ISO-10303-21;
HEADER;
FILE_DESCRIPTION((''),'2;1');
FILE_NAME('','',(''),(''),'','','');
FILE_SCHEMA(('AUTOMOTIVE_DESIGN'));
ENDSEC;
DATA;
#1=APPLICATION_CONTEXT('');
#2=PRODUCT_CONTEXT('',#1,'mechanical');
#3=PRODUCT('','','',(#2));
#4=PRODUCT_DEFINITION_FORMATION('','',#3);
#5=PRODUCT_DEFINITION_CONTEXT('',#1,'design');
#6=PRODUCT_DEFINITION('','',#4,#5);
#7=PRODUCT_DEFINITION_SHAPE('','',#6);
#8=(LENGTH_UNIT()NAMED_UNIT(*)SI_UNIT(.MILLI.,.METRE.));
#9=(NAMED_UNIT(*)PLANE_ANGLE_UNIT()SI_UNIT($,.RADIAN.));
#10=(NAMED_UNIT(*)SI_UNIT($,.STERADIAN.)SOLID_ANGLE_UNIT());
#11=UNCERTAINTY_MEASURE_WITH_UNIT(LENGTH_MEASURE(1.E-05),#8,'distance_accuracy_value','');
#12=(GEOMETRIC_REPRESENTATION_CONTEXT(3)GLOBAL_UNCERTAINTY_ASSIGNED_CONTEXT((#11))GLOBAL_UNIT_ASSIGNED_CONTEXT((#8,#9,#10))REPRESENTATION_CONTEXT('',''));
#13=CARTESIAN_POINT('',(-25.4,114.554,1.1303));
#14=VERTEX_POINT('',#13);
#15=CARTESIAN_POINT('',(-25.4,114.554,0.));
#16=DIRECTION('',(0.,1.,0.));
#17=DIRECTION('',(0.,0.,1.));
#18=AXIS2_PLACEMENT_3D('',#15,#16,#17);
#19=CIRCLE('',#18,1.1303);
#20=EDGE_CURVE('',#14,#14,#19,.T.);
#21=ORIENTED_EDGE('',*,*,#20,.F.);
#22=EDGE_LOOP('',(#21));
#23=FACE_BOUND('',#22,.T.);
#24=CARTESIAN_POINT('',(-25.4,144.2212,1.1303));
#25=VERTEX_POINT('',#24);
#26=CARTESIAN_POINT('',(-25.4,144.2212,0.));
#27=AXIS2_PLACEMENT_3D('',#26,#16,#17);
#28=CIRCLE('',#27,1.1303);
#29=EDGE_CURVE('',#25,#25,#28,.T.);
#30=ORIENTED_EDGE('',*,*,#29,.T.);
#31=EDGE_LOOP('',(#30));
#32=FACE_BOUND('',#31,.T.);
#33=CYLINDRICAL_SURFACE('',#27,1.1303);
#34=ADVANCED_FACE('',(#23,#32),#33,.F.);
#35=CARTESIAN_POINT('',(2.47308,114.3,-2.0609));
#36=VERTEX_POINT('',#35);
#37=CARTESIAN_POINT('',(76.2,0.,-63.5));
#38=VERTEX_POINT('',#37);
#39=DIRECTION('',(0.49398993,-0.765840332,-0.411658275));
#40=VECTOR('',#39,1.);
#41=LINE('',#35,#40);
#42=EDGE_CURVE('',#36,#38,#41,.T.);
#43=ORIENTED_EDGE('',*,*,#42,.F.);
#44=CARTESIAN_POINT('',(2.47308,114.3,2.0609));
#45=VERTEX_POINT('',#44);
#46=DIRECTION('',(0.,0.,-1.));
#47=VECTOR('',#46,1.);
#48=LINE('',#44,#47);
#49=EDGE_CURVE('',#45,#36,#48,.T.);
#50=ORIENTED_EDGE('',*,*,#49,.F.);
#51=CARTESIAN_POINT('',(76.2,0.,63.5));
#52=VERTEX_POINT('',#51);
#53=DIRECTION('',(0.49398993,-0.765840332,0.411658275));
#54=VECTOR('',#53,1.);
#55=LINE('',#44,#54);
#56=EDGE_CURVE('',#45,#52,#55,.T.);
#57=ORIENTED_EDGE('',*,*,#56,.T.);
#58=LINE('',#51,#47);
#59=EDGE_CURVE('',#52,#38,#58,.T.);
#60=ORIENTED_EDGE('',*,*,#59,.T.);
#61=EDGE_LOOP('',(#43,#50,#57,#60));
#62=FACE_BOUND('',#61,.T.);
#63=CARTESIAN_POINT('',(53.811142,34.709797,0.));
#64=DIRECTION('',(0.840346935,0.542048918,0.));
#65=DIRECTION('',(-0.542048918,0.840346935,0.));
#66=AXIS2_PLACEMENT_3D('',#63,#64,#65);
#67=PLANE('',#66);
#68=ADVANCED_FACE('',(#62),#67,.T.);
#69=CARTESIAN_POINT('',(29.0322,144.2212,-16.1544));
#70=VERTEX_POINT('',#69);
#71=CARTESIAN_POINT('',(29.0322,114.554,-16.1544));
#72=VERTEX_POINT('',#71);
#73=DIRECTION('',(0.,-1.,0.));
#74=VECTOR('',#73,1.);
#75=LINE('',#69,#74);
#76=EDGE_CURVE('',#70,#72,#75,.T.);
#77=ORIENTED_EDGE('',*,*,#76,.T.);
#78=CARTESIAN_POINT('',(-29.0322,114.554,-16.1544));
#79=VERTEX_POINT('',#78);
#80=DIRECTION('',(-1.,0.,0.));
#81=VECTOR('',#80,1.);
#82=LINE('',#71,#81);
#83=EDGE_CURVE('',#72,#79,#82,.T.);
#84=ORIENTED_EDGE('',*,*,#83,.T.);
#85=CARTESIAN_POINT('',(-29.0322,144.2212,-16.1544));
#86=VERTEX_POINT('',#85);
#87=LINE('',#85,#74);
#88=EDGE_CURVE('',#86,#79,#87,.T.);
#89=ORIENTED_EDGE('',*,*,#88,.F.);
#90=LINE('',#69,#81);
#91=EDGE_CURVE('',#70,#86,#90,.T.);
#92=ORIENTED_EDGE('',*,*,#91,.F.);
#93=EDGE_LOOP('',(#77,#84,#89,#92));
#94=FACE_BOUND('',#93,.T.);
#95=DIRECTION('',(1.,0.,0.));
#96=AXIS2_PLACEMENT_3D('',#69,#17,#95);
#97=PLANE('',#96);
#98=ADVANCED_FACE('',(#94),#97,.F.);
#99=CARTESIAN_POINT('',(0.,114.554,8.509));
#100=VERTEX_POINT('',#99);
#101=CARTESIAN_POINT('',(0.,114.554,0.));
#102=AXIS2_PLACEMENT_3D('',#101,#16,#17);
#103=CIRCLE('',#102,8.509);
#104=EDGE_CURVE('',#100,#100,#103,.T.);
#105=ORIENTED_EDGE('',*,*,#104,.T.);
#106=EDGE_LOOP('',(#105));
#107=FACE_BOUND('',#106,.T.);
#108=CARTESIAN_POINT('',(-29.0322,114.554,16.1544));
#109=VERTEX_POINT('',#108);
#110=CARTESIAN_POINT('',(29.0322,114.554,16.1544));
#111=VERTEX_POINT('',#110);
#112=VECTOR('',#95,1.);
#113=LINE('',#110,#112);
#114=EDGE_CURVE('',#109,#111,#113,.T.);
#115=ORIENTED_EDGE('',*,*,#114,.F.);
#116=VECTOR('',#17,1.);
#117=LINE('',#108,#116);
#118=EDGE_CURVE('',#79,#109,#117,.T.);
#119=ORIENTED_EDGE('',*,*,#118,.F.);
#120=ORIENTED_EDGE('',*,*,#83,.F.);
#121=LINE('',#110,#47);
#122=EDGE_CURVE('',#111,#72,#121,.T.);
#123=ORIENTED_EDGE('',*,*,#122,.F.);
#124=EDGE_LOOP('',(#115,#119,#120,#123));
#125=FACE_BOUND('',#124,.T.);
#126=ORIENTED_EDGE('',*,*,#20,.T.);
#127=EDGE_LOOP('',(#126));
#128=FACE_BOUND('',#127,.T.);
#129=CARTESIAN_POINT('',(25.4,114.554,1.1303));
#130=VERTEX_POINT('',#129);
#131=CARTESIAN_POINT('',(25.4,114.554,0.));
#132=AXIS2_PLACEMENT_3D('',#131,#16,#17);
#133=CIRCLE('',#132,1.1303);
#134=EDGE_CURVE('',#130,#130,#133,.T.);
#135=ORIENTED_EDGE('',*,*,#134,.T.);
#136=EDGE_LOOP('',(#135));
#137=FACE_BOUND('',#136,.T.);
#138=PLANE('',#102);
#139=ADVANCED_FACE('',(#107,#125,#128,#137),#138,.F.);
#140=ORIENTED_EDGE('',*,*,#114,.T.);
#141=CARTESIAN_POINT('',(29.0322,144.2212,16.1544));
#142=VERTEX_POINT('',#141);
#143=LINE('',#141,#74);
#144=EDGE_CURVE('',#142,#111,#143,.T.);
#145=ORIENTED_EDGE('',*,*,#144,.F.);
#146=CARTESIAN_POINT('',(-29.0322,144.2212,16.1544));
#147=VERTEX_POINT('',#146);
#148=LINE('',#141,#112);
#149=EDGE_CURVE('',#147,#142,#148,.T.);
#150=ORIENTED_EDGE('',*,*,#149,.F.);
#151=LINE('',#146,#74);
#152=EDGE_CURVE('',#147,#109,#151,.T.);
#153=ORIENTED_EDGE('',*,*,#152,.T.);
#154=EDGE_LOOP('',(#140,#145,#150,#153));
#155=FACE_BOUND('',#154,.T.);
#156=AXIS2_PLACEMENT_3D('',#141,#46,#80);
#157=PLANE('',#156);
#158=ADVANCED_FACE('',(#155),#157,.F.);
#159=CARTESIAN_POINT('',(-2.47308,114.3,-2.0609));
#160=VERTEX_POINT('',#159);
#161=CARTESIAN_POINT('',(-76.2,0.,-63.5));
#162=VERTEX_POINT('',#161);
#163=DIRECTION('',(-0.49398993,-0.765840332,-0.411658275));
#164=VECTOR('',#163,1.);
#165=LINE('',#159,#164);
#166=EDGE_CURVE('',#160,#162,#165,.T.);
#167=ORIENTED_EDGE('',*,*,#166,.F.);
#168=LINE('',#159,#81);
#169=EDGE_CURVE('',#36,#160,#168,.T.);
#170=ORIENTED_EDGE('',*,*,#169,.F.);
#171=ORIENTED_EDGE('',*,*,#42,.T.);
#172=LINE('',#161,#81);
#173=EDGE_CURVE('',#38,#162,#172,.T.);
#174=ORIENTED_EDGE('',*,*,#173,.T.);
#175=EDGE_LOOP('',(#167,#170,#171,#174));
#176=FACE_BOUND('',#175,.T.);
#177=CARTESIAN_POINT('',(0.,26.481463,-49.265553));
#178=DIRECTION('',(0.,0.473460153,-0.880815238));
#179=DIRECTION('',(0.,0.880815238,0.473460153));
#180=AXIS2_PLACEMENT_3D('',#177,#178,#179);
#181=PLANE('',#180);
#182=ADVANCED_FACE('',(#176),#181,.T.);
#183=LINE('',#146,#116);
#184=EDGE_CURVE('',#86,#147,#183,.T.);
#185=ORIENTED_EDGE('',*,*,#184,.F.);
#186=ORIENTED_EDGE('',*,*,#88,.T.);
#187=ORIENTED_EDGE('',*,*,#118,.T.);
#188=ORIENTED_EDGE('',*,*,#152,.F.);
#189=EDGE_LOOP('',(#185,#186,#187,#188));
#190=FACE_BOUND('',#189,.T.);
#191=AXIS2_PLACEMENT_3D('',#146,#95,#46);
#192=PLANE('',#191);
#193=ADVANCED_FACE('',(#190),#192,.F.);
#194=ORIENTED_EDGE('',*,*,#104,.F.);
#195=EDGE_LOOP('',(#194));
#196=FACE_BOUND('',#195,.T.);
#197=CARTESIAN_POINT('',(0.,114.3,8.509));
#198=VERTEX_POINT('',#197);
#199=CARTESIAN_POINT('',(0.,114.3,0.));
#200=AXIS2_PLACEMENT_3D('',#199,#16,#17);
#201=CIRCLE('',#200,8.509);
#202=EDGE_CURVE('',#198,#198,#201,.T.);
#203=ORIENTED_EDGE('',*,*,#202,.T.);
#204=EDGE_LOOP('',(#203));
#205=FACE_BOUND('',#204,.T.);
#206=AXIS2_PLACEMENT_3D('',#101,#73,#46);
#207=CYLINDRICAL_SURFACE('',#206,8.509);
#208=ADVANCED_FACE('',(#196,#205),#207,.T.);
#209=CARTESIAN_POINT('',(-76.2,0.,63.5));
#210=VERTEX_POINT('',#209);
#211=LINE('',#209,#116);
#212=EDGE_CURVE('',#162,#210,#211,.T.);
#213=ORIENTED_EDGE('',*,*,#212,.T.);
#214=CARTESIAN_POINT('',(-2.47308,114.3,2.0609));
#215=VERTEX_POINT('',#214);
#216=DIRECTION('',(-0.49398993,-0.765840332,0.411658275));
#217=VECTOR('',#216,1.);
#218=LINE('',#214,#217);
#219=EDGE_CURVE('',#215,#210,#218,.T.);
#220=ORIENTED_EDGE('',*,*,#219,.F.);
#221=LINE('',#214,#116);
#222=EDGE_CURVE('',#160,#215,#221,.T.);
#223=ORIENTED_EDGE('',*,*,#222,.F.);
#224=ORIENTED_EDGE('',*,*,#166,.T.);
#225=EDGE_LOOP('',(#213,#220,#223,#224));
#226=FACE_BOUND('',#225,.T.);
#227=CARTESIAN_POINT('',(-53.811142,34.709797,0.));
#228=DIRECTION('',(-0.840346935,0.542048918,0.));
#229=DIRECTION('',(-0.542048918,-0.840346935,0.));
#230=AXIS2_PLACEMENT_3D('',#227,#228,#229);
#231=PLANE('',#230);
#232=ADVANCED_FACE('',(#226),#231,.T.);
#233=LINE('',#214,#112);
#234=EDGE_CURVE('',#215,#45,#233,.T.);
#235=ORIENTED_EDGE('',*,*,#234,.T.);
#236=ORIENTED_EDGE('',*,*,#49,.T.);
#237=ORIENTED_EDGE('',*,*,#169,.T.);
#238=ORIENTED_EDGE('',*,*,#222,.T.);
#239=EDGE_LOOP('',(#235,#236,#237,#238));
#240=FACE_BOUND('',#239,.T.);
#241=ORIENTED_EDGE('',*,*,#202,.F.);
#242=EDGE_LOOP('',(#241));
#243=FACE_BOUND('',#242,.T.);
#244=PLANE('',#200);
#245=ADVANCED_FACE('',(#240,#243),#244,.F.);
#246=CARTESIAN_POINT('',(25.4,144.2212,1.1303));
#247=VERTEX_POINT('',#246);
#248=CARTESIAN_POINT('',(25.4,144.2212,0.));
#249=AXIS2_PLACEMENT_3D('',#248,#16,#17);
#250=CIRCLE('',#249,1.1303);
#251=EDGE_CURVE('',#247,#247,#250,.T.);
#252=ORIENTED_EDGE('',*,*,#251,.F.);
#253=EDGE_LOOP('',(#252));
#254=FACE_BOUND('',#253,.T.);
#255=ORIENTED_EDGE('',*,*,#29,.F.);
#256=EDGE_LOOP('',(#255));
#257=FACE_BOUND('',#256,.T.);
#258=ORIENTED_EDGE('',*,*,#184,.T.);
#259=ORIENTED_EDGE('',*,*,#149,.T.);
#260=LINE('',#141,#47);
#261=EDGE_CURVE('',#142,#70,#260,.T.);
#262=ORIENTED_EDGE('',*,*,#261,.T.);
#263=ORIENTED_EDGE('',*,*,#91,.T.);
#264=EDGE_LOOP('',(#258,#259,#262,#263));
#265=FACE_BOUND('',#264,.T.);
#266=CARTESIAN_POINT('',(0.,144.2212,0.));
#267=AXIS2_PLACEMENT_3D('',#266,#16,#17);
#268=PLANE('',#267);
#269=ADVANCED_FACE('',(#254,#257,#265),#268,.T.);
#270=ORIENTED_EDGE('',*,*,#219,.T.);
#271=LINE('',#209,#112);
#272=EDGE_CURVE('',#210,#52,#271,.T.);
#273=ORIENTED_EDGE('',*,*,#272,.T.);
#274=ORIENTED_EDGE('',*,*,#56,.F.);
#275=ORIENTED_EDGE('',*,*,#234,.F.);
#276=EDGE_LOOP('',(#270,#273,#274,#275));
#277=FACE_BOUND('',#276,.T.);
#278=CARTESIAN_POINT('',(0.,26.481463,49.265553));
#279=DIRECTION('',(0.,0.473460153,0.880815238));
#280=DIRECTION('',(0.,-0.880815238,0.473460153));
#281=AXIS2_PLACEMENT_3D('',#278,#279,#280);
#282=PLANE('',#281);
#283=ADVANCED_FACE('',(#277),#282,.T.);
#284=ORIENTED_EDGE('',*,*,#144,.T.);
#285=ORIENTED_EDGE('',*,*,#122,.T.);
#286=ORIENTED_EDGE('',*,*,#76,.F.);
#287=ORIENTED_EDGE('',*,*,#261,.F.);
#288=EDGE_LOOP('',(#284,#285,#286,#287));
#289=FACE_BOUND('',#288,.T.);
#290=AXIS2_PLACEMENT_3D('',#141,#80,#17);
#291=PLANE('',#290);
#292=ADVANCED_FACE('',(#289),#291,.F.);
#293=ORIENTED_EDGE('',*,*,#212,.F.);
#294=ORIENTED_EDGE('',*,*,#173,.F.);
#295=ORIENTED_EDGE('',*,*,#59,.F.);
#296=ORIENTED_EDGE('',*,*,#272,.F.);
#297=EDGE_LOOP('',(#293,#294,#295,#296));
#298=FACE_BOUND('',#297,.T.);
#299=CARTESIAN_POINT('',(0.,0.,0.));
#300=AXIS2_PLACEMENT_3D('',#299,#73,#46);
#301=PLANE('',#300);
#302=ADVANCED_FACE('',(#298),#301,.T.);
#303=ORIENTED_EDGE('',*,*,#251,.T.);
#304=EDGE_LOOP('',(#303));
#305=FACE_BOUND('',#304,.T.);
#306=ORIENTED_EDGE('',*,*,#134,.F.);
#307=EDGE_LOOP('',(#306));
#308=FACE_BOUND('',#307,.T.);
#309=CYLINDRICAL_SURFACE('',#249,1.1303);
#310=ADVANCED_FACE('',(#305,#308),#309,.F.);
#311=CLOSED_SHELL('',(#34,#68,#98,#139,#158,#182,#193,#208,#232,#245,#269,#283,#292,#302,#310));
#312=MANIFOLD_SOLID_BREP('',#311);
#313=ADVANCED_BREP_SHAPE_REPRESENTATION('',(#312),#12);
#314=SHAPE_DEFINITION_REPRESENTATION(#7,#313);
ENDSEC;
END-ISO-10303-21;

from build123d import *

# Parameters (mm, degrees)
SKETCH3_R                 = 8.509
CAMERA_LENS_DEPTH         = 0.254
SKETCH4_W                 = 58.0644
SKETCH4_H                 = 32.3088
CAMERA_HOLDER_DEPTH       = 29.6672
F_4_40_TAPPED_HOLE1_D     = 2.2606
F_4_40_TAPPED_HOLE1_DEPTH = 29.6672


with BuildPart() as part:
    # Sketch2 → FOV section 0
    with BuildSketch(Plane(origin=(0, 114.3, 0), x_dir=(1, 0, 0), z_dir=(0, 1, 0))):
        with BuildLine():
            Line((-2.473079913, -2.060899928), (2.473079913, -2.060899928))
            Line((2.473079913, -2.060899928), (2.473079913, 2.060899928))
            Line((2.473079913, 2.060899928), (-2.473079913, 2.060899928))
            Line((-2.473079913, 2.060899928), (-2.473079913, -2.060899928))
        make_face()
    # Sketch1 → FOV section 1
    with BuildSketch(Plane(origin=(0, 0, 0), x_dir=(1, 0, 0), z_dir=(0, 1, 0))):
        with BuildLine():
            Line((-76.2, -63.5), (76.2, -63.5))
            Line((76.2, -63.5), (76.2, 63.5))
            Line((76.2, 63.5), (-76.2, 63.5))
            Line((-76.2, 63.5), (-76.2, -63.5))
        make_face()
    loft()

    # Sketch3 → camera lens (add)
    with BuildSketch(Plane(origin=(0, 114.3, 0), x_dir=(1, 0, 0), z_dir=(0, 1, 0))):
        with Locations(Location((0, 0, 0), (0, 0, 270))):
            Circle(SKETCH3_R)
    extrude(amount=CAMERA_LENS_DEPTH)

    # Sketch4 → camera holder (add)
    with BuildSketch(Plane(origin=(0, 114.554, 0), x_dir=(1, 0, 0), z_dir=(0, 1, 0))):
        Rectangle(SKETCH4_W, SKETCH4_H)
    extrude(amount=CAMERA_HOLDER_DEPTH)

    # #4-40 Tapped Hole1
    with Locations(Plane(origin=(0, 144.2212, 0), x_dir=(1, 0, 0), z_dir=(0, 1, 0))):
        with Locations((-25.4, 0), (25.4, 0)):
            Hole(F_4_40_TAPPED_HOLE1_D / 2, depth=F_4_40_TAPPED_HOLE1_DEPTH)


solid = part.part
